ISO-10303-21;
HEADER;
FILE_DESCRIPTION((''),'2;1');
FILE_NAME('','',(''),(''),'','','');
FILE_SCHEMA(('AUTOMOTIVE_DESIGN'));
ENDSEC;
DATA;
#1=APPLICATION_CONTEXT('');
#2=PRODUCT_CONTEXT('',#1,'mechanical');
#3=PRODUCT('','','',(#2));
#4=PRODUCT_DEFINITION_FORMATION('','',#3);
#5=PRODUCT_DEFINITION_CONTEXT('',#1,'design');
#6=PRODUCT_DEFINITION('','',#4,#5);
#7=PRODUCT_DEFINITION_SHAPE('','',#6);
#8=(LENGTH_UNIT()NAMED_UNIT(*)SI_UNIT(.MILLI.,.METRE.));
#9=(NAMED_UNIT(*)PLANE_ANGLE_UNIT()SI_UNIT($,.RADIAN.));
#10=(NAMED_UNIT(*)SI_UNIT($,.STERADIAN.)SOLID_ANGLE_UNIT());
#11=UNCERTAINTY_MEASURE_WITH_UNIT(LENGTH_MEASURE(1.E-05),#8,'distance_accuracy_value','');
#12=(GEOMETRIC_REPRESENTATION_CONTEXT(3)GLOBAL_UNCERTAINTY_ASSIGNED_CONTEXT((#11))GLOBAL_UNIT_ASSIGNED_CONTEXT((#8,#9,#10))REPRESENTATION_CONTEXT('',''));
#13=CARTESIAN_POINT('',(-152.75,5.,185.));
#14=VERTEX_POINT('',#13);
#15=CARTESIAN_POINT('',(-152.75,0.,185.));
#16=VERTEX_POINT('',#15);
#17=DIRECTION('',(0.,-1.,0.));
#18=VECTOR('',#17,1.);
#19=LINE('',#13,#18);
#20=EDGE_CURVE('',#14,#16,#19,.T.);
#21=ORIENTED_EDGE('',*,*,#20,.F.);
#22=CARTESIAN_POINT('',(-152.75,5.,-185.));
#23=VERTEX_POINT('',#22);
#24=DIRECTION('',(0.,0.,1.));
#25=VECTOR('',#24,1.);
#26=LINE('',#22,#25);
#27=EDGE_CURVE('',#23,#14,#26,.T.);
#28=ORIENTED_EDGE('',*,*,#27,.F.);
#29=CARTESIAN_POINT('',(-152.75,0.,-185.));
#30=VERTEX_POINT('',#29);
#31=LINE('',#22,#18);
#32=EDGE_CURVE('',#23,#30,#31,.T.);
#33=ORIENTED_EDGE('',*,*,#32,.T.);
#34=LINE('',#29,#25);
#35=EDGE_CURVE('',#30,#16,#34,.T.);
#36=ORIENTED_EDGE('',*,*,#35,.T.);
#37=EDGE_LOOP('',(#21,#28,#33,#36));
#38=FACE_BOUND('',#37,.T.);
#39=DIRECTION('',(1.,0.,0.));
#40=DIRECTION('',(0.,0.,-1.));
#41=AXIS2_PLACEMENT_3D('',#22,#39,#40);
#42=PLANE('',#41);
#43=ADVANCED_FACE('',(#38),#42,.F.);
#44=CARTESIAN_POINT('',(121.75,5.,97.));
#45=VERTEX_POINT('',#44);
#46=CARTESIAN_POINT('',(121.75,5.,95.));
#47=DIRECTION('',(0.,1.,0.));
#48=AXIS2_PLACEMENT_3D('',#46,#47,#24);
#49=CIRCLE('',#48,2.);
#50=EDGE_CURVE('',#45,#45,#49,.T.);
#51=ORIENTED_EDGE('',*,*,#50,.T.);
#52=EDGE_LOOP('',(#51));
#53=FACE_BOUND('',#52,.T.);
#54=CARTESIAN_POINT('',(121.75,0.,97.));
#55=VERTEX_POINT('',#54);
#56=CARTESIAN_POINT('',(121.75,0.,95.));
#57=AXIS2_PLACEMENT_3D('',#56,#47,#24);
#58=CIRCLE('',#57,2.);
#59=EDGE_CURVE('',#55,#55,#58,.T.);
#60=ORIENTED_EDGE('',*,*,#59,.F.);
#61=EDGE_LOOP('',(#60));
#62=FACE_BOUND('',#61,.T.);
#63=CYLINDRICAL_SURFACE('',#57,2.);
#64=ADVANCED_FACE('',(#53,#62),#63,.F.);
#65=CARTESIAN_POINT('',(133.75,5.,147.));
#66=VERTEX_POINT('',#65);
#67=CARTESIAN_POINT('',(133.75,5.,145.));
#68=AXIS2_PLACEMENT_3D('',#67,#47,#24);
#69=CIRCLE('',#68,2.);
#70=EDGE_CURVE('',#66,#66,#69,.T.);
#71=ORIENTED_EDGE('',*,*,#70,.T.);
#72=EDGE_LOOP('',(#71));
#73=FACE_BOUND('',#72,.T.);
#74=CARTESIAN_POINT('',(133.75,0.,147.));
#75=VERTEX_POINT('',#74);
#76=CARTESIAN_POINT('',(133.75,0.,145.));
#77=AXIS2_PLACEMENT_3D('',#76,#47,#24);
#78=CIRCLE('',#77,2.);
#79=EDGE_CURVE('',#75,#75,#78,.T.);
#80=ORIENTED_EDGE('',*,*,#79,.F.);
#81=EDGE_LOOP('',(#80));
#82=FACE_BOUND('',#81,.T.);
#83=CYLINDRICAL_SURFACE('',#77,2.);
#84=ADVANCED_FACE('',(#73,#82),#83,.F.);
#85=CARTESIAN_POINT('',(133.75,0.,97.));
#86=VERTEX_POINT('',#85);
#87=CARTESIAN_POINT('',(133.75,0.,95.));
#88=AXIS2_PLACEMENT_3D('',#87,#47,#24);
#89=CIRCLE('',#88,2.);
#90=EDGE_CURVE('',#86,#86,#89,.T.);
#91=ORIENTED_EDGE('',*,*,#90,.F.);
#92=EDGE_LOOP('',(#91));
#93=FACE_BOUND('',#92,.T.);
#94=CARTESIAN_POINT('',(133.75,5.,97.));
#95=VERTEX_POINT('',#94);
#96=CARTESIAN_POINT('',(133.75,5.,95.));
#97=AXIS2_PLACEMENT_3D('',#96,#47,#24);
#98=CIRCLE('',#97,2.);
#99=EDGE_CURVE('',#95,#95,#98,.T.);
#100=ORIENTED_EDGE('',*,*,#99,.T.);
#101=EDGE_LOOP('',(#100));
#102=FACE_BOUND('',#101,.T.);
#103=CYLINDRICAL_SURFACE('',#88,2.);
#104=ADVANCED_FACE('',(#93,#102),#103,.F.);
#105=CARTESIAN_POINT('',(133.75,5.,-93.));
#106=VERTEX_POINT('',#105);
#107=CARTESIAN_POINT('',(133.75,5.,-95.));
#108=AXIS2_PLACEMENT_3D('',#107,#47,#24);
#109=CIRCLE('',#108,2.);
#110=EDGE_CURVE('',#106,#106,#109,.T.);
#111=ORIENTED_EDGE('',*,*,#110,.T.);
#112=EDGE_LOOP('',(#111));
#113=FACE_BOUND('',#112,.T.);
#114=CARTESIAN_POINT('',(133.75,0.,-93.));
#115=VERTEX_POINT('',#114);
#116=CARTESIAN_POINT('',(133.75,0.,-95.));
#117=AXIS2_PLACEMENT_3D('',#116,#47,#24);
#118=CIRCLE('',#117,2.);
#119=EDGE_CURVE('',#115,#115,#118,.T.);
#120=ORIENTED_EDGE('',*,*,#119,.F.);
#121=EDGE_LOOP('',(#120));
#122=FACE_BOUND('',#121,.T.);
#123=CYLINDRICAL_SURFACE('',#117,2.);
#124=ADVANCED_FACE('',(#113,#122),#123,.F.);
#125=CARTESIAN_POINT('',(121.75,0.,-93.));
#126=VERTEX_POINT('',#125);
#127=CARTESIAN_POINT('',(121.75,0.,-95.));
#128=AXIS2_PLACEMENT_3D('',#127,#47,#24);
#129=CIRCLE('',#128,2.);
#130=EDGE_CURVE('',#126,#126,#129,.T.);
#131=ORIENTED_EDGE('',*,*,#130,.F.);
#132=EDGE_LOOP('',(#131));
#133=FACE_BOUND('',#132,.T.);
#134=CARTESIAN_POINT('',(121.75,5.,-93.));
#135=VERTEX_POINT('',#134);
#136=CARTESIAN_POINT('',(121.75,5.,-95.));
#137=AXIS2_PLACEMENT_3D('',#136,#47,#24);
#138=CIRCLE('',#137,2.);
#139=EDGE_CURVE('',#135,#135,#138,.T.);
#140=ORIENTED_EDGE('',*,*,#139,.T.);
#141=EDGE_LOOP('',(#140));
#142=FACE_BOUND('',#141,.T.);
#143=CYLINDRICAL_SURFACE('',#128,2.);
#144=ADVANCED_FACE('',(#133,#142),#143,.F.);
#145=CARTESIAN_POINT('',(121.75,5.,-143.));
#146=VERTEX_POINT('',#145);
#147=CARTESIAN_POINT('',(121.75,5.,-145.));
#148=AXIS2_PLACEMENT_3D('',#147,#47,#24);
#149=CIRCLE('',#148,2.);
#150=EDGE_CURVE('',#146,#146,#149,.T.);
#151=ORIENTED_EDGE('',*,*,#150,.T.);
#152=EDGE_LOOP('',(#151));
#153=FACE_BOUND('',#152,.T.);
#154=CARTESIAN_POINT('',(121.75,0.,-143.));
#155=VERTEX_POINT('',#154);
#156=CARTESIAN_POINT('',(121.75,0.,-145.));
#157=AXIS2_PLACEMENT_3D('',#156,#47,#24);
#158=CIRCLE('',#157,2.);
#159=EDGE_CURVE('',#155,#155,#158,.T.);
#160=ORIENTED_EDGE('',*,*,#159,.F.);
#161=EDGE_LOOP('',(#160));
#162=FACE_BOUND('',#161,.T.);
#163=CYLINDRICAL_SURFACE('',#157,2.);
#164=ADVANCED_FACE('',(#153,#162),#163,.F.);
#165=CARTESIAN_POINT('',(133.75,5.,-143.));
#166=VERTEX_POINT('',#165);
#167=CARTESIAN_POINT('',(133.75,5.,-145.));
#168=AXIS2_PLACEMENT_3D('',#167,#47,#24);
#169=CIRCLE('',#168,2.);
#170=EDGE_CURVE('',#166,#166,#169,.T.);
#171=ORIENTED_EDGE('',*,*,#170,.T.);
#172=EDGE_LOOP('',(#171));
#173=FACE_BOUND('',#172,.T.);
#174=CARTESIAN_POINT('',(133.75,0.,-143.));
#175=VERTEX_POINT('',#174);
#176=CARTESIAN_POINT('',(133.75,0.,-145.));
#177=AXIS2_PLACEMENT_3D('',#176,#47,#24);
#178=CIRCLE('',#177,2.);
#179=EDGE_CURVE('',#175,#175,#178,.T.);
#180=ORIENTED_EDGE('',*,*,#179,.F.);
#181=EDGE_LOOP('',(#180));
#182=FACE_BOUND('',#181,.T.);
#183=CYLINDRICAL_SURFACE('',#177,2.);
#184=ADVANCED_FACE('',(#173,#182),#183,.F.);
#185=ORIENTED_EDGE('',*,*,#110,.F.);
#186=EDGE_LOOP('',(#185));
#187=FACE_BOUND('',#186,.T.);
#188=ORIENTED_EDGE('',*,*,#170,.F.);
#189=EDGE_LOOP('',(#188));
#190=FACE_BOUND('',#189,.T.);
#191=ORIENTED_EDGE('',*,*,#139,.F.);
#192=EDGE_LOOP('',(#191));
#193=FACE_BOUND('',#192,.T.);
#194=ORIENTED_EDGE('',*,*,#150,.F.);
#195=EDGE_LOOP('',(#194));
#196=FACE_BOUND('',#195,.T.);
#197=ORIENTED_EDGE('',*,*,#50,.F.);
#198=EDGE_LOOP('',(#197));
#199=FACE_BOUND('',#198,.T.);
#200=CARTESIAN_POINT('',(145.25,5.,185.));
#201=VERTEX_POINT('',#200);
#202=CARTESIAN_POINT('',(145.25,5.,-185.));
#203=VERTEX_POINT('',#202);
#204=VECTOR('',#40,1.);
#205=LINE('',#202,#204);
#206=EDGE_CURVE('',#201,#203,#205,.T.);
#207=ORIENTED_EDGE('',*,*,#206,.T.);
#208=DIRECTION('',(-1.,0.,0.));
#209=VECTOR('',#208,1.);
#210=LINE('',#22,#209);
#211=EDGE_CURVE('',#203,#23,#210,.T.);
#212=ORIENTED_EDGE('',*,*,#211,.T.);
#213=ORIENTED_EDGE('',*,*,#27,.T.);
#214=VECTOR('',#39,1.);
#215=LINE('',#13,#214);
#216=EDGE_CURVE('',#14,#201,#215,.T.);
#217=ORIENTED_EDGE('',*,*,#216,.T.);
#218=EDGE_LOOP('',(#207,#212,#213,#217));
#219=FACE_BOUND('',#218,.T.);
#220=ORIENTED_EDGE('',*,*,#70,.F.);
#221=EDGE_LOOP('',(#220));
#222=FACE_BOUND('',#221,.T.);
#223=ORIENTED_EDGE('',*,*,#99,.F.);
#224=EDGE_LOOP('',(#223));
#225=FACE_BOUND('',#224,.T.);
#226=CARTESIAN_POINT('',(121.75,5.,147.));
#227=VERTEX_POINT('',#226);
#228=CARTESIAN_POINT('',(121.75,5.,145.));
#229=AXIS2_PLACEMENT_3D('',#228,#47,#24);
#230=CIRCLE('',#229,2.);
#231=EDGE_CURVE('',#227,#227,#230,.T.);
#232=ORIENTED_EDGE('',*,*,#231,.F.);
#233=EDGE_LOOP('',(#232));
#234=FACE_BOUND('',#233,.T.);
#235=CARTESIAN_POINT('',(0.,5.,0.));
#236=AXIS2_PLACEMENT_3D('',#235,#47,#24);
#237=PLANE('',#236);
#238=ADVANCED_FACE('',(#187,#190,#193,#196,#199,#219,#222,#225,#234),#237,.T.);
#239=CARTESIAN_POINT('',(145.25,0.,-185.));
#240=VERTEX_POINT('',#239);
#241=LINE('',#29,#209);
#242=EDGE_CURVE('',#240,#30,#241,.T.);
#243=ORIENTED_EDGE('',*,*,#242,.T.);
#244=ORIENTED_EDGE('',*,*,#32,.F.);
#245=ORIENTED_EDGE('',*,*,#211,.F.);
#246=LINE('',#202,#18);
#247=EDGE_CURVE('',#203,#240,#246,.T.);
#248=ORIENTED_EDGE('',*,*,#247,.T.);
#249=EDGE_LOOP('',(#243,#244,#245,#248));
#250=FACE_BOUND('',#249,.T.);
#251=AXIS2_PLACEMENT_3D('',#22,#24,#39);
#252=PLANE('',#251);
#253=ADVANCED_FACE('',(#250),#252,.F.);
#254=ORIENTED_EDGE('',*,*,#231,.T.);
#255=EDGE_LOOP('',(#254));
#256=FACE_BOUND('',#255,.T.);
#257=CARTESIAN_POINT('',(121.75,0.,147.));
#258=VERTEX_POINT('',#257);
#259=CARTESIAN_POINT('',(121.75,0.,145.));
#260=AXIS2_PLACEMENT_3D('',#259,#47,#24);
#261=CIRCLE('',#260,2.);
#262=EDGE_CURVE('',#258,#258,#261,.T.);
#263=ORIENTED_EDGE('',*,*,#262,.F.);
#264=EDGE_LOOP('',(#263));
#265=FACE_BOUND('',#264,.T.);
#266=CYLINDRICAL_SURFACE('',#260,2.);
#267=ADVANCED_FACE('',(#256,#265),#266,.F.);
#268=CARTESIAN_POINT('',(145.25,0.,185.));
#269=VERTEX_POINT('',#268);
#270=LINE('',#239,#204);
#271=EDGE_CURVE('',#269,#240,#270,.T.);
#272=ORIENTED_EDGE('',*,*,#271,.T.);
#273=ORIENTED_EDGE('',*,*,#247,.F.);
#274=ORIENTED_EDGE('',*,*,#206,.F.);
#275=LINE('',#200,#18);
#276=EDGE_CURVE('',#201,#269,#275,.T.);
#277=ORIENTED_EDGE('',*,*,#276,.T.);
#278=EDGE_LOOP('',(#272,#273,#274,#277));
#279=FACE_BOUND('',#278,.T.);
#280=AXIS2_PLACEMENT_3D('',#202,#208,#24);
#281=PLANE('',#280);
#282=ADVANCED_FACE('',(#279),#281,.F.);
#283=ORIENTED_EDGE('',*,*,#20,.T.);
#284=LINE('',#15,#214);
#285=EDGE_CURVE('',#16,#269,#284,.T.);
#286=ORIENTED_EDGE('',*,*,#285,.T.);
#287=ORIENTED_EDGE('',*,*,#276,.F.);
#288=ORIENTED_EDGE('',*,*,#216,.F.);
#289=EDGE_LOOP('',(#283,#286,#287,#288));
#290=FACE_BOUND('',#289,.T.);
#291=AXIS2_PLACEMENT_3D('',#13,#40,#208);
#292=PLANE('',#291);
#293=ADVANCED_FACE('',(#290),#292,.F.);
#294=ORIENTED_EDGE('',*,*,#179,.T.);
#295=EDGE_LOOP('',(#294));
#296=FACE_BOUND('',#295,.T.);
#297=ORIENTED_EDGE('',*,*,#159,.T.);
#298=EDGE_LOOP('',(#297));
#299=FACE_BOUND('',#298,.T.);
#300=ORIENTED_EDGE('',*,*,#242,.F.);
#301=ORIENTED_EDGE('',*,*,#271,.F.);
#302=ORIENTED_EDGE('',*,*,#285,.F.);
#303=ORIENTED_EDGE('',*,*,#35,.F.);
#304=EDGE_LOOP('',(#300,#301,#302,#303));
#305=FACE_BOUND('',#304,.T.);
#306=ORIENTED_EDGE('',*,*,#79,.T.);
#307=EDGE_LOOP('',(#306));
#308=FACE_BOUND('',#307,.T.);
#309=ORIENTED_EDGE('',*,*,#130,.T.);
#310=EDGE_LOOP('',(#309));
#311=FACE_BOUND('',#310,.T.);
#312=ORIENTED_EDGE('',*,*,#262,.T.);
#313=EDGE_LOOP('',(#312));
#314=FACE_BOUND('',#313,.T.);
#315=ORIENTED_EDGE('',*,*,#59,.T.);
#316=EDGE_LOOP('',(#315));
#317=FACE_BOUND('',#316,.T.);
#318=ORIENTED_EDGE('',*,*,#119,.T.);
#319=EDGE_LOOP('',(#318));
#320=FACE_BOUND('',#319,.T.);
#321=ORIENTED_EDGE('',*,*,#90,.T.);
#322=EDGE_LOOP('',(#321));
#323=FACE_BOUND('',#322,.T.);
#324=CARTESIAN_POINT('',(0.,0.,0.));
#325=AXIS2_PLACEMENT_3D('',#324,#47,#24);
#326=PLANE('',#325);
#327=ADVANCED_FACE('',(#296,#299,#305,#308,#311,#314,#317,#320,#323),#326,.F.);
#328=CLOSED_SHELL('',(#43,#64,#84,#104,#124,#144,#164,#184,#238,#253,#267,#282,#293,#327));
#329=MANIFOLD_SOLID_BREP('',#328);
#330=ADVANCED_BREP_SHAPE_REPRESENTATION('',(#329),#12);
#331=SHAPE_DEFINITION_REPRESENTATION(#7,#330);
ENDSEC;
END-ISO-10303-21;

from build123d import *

# Parameters (mm, degrees)
SKETCH_1_W          = 298
SKETCH_1_H          = 370
EXTRUDE_1_DEPTH     = 5
SKETCH_2_R          = 2
CUT_EXTRUDE_1_DEPTH = 240.963669125


with BuildPart() as part:
    # 스케치1 → 보스-돌출1 (new body)
    with BuildSketch(Plane(origin=(0, 0, 0), x_dir=(1, 0, 0), z_dir=(0, 1, 0))):
        with Locations((-3.75, 0)):
            Rectangle(SKETCH_1_W, SKETCH_1_H)
    extrude(amount=EXTRUDE_1_DEPTH)

    # 스케치2 → 컷-돌출1 (cut, through all)
    with BuildSketch(Plane(origin=(0, 5, 0), x_dir=(1, 0, 0), z_dir=(0, 1, 0))):
        with Locations(Location((121.75, 145, 0), (0, 0, 270))):
            Circle(SKETCH_2_R)
        with Locations(Location((133.75, 145, 0), (0, 0, 270))):
            Circle(SKETCH_2_R)
        with Locations(Location((121.75, 95, 0), (0, 0, 270))):
            Circle(SKETCH_2_R)
        with Locations(Location((133.75, 95, 0), (0, 0, 270))):
            Circle(SKETCH_2_R)
        with Locations(Location((133.75, -95, 0), (0, 0, 270))):
            Circle(SKETCH_2_R)
        with Locations(Location((121.75, -95, 0), (0, 0, 270))):
            Circle(SKETCH_2_R)
        with Locations(Location((133.75, -145, 0), (0, 0, 270))):
            Circle(SKETCH_2_R)
        with Locations(Location((121.75, -145, 0), (0, 0, 270))):
            Circle(SKETCH_2_R)
    extrude(amount=-CUT_EXTRUDE_1_DEPTH, mode=Mode.SUBTRACT)


solid = part.part
